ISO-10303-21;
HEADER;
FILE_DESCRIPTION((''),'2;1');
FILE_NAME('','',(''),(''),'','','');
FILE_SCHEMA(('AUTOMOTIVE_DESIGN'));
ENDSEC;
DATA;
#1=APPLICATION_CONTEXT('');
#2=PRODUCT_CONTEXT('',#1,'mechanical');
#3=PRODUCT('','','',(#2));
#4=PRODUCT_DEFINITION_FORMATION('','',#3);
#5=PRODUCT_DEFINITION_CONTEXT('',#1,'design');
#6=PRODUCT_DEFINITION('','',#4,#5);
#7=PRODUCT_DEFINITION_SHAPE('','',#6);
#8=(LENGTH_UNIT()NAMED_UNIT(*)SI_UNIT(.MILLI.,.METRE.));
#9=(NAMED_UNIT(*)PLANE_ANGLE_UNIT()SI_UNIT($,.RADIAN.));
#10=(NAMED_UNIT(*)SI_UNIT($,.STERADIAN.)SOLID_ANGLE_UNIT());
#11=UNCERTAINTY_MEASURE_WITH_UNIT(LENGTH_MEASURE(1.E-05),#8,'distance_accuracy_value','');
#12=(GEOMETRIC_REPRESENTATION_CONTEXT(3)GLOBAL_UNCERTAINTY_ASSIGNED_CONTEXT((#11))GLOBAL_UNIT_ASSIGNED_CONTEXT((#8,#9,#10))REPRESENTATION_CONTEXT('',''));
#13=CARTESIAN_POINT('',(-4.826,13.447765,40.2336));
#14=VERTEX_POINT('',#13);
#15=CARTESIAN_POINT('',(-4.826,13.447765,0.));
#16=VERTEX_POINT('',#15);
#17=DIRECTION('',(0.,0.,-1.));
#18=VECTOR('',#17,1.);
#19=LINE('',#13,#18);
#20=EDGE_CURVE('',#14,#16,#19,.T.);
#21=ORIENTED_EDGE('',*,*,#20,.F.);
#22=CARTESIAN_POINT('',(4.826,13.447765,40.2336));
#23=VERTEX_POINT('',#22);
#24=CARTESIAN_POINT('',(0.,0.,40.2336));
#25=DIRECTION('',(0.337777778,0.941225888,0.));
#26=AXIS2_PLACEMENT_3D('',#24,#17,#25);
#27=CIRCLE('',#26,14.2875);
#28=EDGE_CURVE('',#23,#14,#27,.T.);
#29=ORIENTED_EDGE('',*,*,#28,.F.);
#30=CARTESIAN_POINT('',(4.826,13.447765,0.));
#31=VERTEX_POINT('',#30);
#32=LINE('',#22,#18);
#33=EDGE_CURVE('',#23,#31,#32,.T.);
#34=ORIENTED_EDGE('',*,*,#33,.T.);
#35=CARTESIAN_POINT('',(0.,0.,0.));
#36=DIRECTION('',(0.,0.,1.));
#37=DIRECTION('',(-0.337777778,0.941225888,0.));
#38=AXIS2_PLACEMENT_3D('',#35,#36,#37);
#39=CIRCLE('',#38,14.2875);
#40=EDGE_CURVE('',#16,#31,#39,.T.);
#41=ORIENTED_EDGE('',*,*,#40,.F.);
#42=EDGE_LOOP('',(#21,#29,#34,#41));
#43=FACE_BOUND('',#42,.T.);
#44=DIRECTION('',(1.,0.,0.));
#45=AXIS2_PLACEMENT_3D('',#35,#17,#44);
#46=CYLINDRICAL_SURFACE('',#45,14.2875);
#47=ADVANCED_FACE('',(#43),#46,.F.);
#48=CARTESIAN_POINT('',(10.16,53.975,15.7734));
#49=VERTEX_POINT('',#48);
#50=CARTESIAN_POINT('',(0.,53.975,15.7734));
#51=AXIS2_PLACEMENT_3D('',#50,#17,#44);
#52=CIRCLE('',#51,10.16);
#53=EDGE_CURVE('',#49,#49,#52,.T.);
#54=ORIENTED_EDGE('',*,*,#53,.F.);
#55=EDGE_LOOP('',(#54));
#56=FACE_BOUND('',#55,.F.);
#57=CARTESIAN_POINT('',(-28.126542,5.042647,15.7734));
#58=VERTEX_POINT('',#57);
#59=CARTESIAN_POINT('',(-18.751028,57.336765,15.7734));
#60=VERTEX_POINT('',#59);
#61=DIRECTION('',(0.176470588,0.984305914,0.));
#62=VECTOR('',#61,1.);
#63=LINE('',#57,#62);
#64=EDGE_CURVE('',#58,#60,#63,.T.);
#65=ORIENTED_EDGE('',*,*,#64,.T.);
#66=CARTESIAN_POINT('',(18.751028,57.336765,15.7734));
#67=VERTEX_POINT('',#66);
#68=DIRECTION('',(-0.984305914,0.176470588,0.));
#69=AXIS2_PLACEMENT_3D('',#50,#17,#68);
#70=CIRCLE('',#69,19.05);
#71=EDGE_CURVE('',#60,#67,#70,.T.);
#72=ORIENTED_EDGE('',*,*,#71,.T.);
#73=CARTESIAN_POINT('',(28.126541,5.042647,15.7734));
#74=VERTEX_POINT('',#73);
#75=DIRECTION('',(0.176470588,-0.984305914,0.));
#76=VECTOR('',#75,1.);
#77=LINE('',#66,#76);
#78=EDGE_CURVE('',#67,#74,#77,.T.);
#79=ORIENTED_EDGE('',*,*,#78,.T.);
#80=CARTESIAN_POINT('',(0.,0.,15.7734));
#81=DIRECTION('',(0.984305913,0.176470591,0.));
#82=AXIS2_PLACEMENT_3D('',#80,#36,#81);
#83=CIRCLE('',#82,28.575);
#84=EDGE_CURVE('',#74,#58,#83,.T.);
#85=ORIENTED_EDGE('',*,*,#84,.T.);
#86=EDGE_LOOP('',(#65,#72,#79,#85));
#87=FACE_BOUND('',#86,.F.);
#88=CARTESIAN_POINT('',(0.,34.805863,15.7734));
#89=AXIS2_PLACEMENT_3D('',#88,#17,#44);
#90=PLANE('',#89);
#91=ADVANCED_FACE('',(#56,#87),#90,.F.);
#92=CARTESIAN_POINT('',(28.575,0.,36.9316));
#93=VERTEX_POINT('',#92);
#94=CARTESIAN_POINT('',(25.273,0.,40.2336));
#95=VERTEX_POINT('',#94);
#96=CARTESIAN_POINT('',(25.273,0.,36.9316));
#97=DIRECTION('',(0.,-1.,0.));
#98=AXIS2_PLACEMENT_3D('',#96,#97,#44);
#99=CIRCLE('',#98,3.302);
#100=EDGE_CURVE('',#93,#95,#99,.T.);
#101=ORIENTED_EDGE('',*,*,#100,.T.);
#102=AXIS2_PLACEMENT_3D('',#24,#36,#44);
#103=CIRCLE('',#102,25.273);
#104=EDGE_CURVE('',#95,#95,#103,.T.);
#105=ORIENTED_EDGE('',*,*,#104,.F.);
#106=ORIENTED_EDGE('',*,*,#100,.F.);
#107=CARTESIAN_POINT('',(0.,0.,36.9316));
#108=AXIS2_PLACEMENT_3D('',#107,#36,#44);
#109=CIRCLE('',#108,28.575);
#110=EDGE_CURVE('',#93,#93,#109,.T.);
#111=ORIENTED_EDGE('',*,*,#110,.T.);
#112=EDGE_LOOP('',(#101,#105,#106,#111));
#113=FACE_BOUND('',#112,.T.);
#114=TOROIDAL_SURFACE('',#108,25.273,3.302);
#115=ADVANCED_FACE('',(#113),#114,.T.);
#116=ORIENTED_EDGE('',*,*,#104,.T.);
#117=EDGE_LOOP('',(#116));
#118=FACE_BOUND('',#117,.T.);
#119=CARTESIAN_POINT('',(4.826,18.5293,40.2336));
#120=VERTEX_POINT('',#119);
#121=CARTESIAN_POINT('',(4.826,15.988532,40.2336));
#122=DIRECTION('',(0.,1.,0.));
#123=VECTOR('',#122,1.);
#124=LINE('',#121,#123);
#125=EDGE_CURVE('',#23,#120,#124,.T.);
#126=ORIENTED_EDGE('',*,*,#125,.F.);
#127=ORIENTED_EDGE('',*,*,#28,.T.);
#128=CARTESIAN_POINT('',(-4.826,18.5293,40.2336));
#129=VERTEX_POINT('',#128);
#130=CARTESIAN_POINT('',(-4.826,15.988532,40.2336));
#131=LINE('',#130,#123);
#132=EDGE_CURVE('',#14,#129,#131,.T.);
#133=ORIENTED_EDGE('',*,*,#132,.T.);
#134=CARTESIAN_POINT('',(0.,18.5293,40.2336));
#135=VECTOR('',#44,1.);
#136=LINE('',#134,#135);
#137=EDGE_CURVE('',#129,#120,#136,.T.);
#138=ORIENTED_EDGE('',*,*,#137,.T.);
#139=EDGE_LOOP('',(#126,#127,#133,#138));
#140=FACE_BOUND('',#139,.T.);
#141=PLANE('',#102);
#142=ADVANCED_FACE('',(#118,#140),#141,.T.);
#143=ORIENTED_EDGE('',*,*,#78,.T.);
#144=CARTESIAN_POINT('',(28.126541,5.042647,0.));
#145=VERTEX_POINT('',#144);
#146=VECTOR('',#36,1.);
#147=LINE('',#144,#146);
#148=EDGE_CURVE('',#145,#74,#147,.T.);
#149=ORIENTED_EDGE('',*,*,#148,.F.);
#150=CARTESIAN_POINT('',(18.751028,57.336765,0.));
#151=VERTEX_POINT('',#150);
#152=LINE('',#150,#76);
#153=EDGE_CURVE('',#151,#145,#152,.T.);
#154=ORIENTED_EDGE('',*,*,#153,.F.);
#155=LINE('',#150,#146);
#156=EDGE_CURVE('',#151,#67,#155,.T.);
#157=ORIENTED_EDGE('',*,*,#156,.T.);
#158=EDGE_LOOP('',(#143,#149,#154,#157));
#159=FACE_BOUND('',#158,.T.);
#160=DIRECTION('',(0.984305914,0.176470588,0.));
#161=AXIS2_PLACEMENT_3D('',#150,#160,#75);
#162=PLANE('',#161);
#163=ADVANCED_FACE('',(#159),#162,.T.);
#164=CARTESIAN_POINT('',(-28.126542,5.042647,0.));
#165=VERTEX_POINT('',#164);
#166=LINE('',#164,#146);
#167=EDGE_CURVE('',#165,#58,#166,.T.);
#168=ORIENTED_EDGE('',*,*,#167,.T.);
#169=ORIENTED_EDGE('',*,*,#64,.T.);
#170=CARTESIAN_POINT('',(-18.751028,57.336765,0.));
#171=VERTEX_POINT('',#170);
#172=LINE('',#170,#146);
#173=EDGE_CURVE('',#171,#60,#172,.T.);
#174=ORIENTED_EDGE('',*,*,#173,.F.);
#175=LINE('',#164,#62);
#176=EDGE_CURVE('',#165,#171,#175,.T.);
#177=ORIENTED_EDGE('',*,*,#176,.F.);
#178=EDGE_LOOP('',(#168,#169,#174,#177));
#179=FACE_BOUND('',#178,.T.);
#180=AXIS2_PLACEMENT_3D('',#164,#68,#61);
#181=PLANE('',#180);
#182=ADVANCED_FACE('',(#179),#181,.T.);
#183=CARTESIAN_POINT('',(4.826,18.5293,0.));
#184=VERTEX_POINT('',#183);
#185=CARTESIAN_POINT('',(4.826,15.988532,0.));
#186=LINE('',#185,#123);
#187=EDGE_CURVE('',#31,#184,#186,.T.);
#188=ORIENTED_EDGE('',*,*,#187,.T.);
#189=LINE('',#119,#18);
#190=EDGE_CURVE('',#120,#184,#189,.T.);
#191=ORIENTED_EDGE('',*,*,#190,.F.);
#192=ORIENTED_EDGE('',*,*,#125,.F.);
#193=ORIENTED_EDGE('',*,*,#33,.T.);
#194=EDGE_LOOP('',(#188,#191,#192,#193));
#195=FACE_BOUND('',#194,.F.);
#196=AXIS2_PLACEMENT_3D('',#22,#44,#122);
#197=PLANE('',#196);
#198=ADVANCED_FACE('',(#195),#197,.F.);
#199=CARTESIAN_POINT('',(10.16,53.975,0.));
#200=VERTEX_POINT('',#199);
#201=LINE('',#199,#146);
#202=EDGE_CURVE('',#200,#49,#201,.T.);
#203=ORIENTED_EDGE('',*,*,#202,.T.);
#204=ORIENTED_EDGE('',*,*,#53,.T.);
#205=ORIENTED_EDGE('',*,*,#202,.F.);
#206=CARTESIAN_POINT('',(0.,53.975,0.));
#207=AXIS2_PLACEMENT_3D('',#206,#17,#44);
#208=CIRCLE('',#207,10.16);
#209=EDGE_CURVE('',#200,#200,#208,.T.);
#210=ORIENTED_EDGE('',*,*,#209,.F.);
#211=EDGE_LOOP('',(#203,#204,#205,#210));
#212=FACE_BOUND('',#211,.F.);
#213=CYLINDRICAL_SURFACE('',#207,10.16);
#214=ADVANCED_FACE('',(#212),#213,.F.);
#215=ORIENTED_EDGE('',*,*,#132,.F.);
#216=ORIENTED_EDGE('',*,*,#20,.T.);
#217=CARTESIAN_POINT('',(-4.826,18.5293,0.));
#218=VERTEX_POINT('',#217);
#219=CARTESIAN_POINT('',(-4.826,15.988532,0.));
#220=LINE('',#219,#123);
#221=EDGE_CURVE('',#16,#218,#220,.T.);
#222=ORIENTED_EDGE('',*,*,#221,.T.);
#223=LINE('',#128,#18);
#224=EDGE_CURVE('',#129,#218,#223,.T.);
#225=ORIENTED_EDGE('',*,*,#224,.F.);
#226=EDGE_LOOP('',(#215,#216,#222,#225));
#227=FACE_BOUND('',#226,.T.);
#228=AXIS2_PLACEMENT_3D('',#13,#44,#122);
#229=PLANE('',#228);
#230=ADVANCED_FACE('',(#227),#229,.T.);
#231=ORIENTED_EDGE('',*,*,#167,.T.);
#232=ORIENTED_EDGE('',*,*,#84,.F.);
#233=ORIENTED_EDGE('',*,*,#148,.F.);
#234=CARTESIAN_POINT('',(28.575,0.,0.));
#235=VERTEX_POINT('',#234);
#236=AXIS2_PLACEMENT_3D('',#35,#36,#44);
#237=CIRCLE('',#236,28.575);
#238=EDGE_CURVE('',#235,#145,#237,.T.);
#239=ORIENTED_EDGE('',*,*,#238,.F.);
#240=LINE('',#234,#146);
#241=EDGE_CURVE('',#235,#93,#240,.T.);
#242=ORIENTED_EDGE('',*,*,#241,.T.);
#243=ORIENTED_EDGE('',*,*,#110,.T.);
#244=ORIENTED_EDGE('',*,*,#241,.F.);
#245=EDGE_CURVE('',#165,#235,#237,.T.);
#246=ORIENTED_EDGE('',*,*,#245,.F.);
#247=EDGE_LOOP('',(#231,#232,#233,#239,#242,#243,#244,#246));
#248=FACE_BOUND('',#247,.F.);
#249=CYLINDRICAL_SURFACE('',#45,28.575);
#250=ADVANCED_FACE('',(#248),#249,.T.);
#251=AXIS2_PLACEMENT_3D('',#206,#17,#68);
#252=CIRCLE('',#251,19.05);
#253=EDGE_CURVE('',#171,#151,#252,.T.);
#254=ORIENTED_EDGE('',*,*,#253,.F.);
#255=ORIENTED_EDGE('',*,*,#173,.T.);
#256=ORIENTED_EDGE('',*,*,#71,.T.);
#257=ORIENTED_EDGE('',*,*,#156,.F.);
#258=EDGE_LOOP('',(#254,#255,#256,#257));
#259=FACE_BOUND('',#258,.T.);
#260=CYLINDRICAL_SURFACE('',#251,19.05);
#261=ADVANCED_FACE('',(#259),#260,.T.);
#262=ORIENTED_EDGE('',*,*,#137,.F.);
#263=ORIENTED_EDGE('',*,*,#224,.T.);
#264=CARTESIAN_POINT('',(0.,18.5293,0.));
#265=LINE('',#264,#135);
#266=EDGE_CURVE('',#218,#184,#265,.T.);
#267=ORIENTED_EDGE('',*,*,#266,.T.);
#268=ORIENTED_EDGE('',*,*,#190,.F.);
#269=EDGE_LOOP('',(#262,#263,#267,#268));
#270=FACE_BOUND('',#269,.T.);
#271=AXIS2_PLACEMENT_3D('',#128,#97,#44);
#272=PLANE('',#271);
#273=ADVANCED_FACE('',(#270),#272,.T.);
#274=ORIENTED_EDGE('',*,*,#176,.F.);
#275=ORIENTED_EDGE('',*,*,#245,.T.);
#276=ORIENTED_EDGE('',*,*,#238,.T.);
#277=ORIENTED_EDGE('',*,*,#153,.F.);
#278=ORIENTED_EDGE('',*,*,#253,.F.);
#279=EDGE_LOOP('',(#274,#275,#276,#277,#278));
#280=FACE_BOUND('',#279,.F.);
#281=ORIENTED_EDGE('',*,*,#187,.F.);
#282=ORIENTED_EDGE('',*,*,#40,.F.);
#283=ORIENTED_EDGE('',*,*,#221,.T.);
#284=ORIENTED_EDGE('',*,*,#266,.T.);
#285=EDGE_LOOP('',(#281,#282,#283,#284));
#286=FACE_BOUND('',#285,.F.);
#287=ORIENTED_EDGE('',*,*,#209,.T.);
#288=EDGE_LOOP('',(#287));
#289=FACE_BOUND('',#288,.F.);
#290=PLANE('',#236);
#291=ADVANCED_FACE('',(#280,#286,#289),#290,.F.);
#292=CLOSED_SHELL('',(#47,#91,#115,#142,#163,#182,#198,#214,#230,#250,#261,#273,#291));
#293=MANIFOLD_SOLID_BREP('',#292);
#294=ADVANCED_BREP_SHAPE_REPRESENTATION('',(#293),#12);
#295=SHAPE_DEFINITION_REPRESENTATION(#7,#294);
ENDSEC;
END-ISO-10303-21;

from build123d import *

# Parameters (mm, degrees)
F0_R     = 28.575
F0_R_2   = 14.2875
F1_DEPTH = 40.2336
F2_R     = 10.16
F3_DEPTH = 15.7734
F4_W     = 9.652
F4_H     = 5.0815351207
F5_DEPTH = 40.2336
F6_R     = 3.302


with BuildPart() as f1:
    # F0 (on Top) → F1 (new body)
    with BuildSketch(Plane.XY):
        Circle(F0_R)
        Circle(F0_R_2, mode=Mode.SUBTRACT)
    extrude(amount=F1_DEPTH)

    # F2 (on face) → F3 (join)
    with BuildSketch(Plane(origin=(0, 0, 0), x_dir=(1, 0, 0), z_dir=(0, 0, -1))):
        with BuildLine():
            Line((-28.1265415171, -5.042646853), (-18.7510276535, -57.3367647059))
            ThreePointArc((-18.7510276535, -57.3367647059), (0, -73.025), (18.7510276535, -57.3367647059))
            Line((18.7510276535, -57.3367647059), (28.1265414639, -5.0426471501))
            ThreePointArc((28.1265414639, -5.0426471501), (-1.509e-07, -28.575), (-28.1265415171, -5.042646853))
        make_face()
        with Locations((0, -53.975)):
            Circle(F2_R, mode=Mode.SUBTRACT)
    extrude(amount=-F3_DEPTH)

    # F4 (on face) → F5 (cut, through all)
    with BuildSketch(Plane.XY.offset(40.2336)):
        with Locations((0, 15.9885324397)):
            Rectangle(F4_W, F4_H)
    extrude(amount=-F5_DEPTH, mode=Mode.SUBTRACT)

    # F6
    f6_edges = [f1.edges().sort_by_distance(p)[0] for p in [
        (-28.575, 0, 40.2336),
    ]]
    fillet(f6_edges, radius=F6_R)


solid = f1.part
